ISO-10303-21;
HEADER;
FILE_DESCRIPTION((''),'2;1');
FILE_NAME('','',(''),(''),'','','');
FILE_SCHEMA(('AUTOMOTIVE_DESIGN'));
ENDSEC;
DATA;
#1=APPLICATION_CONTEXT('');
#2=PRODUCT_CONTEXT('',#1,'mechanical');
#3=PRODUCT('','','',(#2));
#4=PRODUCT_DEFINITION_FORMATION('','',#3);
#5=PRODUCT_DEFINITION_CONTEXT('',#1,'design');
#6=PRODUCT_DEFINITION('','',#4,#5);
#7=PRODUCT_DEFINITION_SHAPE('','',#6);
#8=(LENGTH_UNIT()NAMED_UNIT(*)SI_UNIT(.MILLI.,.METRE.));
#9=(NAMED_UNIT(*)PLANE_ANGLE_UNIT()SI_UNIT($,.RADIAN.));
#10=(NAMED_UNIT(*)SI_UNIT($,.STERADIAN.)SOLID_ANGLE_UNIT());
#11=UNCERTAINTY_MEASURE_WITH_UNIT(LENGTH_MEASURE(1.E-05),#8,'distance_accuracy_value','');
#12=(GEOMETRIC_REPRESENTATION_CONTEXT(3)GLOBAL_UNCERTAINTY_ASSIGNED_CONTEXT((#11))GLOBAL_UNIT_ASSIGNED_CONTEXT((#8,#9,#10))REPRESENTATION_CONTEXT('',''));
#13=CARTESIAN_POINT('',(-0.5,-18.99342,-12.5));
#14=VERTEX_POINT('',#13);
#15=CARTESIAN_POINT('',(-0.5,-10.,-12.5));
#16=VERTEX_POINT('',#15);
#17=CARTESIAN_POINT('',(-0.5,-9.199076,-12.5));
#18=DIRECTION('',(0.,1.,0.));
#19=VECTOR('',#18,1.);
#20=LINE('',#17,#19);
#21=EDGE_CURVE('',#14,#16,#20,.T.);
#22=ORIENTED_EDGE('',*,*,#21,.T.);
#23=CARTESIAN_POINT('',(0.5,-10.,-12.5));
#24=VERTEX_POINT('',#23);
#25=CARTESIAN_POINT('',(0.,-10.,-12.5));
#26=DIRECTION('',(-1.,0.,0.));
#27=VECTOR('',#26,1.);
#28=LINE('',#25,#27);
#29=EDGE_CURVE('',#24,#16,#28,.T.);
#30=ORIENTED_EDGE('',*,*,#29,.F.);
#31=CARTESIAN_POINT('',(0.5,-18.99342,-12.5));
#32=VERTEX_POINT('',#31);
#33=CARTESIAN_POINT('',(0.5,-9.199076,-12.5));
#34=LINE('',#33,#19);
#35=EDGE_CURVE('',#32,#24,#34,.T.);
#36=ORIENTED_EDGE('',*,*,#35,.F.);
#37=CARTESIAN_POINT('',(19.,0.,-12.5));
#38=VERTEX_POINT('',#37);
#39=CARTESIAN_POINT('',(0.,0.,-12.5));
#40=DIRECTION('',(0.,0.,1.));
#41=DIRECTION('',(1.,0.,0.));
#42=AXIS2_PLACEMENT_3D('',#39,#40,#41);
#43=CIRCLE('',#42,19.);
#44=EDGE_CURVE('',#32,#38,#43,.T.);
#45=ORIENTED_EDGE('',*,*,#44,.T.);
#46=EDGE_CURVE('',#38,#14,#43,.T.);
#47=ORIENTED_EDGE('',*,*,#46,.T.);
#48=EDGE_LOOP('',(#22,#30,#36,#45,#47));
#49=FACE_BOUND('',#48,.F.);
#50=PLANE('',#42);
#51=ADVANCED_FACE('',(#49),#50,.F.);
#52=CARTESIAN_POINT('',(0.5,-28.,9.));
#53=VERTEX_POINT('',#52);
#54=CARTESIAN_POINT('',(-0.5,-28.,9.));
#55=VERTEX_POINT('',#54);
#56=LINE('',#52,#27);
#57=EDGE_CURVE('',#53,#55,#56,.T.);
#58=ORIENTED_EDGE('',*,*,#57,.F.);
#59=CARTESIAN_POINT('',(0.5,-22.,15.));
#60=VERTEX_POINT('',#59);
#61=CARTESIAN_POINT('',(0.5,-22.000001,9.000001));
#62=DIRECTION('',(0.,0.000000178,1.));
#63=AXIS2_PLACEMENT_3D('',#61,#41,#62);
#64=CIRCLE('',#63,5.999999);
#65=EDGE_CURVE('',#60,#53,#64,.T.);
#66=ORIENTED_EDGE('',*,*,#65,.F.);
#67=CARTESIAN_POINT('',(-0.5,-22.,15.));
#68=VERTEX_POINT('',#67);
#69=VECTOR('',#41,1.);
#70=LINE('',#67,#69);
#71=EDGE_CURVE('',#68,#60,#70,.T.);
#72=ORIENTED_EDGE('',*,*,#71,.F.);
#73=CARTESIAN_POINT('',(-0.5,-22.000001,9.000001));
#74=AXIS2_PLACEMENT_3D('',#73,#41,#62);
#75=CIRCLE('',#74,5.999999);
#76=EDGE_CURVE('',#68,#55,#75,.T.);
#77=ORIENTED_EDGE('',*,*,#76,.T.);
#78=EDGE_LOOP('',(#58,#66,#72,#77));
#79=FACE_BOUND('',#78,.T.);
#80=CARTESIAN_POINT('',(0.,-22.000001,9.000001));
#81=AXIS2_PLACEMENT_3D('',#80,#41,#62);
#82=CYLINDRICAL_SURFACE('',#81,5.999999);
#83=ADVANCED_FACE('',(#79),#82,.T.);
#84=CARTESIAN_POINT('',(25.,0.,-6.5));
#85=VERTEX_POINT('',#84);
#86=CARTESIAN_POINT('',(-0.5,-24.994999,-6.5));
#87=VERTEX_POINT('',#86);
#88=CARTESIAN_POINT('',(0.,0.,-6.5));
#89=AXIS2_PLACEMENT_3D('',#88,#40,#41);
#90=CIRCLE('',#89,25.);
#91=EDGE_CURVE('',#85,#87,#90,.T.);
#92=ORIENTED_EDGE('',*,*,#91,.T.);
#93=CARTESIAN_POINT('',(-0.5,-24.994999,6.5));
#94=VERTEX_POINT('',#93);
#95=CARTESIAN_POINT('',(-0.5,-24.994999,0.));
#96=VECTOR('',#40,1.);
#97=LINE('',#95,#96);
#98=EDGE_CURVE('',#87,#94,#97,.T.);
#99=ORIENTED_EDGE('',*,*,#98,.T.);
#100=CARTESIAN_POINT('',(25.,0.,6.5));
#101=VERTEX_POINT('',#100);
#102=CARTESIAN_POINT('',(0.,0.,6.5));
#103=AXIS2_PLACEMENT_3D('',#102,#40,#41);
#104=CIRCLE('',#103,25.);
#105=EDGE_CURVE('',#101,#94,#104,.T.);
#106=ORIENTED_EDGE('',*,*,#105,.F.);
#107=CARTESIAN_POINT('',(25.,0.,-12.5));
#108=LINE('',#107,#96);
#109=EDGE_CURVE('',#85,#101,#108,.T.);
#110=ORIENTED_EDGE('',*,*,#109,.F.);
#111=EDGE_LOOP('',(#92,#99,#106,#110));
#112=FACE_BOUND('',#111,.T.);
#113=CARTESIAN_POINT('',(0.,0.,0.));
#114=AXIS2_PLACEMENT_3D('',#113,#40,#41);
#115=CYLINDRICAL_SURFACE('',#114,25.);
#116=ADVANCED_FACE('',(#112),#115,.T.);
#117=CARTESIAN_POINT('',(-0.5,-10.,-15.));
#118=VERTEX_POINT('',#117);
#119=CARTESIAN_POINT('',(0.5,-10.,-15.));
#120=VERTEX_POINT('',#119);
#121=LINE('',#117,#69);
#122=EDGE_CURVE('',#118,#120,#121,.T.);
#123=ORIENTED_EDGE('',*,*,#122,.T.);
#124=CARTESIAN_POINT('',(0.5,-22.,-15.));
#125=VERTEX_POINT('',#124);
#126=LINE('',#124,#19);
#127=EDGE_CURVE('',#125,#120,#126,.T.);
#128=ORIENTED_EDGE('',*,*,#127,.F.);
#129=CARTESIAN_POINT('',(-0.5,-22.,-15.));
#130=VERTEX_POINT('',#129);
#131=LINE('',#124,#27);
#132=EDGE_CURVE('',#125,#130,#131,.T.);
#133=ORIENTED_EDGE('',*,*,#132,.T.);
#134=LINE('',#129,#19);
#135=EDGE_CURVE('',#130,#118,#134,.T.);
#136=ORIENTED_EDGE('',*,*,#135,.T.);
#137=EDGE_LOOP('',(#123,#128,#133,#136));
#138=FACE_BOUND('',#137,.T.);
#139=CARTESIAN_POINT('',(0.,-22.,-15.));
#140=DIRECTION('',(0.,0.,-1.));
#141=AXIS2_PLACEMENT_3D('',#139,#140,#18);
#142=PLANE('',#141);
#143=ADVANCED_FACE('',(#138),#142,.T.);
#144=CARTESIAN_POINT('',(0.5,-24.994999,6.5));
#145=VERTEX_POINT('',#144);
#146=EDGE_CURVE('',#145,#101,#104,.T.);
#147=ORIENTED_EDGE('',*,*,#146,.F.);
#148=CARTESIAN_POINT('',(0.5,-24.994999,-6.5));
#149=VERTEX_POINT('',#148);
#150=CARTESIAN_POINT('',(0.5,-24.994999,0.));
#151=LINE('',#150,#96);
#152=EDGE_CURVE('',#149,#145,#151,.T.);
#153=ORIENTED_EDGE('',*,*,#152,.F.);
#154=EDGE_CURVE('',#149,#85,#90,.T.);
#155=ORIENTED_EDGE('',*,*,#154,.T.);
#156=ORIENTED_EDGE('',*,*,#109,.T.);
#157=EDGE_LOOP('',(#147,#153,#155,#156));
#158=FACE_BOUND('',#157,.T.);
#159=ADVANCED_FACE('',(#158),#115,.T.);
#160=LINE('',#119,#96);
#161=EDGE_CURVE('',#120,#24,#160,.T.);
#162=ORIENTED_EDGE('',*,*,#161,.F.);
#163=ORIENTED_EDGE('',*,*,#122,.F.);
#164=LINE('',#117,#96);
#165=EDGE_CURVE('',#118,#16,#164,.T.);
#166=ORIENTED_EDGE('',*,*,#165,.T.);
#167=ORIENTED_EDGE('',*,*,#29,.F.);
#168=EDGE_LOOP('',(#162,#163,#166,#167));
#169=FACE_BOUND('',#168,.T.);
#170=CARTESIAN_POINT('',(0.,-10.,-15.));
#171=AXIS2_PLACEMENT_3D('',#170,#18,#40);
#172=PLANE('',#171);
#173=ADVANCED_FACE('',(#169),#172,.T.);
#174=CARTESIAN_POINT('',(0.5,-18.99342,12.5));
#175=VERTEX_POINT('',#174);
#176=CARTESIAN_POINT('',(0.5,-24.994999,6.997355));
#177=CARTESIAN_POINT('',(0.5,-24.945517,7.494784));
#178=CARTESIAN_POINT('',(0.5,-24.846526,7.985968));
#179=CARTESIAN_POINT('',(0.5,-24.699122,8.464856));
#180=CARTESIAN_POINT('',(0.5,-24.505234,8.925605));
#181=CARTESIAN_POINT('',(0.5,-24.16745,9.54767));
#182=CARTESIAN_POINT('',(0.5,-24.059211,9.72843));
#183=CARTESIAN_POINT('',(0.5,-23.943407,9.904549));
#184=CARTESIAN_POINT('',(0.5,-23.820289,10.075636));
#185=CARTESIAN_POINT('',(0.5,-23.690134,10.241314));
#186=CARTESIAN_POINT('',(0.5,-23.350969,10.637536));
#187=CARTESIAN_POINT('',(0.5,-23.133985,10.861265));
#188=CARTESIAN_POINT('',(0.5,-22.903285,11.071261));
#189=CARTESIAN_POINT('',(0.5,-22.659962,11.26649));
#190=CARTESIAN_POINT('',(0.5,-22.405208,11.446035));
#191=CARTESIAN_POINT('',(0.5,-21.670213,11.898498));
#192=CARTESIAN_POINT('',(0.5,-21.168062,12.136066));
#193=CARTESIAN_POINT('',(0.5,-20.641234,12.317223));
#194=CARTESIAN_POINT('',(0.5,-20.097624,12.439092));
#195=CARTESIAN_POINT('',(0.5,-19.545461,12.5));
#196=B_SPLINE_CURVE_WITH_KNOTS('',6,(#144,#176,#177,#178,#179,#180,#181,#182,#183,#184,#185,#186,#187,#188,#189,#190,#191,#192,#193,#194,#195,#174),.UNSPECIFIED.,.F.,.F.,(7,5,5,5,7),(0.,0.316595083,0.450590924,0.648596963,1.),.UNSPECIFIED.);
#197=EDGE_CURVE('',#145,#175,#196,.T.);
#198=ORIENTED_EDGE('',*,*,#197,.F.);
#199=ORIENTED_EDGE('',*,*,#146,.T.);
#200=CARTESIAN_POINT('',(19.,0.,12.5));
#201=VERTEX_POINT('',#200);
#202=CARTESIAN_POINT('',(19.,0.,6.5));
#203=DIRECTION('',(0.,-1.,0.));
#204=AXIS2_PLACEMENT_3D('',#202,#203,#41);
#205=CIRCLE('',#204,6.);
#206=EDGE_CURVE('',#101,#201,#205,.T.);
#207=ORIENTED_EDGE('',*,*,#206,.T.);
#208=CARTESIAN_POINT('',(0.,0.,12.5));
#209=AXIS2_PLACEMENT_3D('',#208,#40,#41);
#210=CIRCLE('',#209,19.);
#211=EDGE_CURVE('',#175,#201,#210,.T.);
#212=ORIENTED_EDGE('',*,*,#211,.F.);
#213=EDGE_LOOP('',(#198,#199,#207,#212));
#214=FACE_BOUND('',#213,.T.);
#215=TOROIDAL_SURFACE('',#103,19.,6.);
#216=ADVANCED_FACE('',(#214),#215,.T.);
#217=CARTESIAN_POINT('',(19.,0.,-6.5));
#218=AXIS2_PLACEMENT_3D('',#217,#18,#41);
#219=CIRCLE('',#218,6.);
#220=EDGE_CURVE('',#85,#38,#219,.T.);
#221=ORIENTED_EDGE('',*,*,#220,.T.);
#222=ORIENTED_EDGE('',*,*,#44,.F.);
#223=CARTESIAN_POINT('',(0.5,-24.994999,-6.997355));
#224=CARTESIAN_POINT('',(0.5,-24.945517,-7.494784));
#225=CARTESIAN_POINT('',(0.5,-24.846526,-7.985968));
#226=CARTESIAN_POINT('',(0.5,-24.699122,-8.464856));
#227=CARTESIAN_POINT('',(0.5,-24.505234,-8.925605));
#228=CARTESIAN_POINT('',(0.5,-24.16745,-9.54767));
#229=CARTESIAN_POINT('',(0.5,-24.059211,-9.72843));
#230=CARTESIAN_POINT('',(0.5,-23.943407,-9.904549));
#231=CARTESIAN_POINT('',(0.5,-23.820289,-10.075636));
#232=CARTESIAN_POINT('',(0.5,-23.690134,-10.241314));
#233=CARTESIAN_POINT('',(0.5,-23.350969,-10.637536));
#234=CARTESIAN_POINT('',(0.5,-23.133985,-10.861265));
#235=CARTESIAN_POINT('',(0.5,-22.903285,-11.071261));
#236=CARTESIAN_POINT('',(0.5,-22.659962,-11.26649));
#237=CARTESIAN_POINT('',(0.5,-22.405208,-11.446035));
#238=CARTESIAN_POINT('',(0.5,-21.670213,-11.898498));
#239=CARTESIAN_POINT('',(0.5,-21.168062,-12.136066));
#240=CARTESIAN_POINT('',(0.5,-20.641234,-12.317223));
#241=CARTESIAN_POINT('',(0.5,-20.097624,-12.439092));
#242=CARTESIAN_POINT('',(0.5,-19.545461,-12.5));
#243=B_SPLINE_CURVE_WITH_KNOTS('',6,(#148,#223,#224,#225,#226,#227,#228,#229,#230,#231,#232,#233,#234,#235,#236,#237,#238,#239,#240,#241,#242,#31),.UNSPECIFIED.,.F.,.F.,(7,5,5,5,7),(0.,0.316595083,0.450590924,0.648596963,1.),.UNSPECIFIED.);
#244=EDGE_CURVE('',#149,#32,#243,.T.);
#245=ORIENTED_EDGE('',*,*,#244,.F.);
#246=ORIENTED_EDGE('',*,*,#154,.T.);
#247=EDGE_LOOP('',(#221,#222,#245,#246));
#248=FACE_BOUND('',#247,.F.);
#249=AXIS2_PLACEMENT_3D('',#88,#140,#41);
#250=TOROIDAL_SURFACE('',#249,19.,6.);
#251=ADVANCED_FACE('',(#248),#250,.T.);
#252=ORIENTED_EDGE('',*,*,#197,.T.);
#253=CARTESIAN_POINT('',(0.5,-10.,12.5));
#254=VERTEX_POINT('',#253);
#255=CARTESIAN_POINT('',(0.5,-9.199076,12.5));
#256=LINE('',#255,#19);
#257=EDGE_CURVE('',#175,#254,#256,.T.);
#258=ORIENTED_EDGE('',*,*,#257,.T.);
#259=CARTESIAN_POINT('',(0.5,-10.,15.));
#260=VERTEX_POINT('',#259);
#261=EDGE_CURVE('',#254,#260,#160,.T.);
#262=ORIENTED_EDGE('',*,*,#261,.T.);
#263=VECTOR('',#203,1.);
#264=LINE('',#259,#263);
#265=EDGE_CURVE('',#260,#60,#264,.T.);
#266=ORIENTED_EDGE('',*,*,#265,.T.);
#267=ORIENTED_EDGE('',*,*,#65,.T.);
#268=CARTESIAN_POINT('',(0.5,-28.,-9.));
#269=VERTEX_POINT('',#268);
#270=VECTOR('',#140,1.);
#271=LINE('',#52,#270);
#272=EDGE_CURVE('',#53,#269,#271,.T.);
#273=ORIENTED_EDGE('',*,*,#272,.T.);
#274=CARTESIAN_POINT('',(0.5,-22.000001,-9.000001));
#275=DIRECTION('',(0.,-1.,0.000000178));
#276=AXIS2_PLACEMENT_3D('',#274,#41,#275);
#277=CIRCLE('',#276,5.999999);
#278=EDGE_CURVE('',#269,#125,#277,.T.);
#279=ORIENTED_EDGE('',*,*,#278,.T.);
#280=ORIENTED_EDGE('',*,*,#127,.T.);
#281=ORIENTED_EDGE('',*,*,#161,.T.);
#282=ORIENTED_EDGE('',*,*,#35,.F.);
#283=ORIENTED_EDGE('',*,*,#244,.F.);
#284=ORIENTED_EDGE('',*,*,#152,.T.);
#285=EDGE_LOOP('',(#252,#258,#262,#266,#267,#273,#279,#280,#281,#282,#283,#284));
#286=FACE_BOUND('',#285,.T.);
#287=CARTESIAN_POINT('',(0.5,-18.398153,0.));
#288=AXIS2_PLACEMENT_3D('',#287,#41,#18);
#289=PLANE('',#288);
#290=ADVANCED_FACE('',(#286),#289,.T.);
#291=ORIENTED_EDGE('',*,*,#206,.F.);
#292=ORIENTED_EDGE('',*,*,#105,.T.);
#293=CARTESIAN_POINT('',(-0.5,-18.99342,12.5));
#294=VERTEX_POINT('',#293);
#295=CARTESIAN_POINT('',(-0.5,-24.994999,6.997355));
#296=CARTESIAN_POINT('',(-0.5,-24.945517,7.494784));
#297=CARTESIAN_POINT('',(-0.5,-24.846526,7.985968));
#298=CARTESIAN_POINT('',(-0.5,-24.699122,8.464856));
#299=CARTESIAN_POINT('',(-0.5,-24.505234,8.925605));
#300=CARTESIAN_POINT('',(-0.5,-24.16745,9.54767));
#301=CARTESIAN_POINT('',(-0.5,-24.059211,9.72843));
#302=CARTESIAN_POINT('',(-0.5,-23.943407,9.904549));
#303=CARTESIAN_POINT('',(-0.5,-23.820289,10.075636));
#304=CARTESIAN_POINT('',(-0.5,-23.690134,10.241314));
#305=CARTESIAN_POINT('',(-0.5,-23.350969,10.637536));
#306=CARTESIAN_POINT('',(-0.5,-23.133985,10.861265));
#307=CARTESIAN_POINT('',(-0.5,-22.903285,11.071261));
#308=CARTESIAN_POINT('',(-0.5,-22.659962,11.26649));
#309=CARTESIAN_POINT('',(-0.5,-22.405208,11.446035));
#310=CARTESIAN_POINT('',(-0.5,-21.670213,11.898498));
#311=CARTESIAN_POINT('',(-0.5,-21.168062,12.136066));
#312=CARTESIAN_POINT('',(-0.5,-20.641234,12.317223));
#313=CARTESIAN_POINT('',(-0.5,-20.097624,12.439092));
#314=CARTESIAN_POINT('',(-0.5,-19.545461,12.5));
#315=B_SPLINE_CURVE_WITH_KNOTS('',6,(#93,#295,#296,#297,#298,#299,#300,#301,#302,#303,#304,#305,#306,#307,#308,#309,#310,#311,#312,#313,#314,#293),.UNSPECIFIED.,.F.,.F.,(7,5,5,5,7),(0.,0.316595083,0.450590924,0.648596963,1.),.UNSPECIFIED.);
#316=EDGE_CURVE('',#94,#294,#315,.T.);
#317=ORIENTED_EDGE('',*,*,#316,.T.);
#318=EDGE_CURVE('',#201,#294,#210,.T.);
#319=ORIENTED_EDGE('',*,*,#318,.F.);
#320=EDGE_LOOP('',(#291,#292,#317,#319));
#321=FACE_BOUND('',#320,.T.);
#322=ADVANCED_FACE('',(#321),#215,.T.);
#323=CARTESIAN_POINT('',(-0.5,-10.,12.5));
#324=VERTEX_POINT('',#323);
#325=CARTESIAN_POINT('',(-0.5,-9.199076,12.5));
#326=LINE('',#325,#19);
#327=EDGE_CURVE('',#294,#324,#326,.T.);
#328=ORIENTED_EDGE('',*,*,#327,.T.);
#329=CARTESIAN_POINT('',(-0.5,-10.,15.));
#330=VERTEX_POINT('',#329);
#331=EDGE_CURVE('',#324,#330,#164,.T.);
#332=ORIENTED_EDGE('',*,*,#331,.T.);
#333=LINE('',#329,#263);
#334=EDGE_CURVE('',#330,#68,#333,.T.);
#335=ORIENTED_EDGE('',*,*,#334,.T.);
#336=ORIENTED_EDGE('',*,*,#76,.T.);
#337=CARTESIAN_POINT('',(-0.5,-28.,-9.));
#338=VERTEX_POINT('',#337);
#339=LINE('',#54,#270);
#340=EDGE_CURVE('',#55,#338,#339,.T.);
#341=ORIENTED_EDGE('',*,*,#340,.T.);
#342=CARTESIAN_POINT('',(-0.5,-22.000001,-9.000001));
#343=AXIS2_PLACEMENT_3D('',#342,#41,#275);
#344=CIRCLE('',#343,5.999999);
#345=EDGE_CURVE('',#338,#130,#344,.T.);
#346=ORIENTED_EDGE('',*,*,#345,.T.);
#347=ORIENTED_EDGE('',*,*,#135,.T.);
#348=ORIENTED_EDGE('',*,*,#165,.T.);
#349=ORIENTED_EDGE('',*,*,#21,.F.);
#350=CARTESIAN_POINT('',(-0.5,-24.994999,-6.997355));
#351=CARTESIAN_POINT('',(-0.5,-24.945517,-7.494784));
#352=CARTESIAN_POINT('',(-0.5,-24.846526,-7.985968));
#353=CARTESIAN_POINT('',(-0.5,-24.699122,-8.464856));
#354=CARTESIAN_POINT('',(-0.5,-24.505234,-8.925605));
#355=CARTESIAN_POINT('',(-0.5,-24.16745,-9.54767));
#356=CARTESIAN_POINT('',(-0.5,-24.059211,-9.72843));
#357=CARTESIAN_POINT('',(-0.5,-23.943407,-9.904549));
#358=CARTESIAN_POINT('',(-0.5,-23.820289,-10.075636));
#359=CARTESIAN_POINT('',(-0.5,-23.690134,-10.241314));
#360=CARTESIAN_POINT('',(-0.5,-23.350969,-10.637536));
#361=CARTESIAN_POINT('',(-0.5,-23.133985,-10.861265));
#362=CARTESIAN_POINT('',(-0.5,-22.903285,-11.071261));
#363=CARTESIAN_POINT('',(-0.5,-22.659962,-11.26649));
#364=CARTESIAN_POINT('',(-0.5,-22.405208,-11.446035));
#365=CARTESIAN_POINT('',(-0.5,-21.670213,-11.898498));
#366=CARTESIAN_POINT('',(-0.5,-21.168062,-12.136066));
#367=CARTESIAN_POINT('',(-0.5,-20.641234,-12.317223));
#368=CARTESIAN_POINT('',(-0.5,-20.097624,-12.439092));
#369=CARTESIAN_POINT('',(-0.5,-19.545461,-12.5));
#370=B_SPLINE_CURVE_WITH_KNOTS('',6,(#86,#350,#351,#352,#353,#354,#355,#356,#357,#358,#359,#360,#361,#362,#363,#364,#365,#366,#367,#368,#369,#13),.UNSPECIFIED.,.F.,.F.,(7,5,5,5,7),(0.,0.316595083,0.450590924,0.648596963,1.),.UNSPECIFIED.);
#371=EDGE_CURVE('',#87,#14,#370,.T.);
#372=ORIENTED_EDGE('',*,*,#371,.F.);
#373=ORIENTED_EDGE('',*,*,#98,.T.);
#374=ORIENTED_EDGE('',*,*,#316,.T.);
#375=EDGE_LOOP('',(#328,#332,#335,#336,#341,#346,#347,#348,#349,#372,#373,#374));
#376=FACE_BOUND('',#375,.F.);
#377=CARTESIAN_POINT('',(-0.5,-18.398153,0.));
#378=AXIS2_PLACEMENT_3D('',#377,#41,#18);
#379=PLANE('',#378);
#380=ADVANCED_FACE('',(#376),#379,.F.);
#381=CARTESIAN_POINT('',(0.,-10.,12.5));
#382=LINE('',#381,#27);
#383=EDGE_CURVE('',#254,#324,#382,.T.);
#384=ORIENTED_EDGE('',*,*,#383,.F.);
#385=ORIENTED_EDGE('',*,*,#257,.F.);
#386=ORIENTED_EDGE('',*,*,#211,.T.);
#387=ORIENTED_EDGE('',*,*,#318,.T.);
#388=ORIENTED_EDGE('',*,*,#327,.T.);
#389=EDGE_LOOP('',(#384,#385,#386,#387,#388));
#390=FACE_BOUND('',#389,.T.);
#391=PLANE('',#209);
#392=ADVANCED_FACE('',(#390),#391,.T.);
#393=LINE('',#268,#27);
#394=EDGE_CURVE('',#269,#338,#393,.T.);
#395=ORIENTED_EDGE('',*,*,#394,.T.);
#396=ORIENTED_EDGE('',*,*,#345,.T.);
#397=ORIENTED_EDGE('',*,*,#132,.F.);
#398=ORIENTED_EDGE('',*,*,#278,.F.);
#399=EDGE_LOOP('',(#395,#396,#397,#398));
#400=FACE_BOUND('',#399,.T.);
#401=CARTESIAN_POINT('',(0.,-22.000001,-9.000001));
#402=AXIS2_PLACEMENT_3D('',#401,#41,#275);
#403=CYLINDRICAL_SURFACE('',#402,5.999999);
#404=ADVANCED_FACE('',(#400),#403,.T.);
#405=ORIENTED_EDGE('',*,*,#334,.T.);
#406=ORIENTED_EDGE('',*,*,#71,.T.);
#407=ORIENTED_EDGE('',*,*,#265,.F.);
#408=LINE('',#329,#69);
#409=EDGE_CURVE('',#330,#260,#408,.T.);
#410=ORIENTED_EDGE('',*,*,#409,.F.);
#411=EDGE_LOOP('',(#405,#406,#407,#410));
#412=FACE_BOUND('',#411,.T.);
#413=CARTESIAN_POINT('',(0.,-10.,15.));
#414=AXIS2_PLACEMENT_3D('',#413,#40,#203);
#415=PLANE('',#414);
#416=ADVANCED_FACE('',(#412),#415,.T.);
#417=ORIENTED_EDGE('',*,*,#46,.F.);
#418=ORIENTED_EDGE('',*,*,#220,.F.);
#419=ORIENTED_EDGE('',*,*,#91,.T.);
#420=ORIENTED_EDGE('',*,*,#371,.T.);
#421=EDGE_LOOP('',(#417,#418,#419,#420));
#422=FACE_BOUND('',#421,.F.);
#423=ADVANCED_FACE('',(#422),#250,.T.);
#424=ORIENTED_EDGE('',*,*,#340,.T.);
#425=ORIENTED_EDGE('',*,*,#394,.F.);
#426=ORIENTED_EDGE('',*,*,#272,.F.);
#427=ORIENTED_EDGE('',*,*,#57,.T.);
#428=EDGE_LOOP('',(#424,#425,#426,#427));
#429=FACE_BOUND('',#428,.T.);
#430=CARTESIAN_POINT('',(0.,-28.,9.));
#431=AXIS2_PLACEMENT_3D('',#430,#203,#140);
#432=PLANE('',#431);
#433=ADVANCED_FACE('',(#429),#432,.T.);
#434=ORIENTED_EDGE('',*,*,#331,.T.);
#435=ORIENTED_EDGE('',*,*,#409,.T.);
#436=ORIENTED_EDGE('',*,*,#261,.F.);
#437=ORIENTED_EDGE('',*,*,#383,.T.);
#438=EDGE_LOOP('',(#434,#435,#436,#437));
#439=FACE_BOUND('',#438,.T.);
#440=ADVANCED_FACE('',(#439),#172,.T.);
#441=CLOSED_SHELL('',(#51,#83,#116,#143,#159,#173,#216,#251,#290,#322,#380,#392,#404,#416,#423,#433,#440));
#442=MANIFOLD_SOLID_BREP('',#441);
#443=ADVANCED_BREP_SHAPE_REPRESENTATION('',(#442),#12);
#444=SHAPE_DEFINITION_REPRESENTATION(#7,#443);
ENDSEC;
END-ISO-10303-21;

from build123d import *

# Parameters (mm, degrees)
F0_R     = 25
F1_DEPTH = 12.5
F2_R     = 6
F4_DEPTH = 0.5


with BuildPart() as f1:
    # F0 (on Top) → F1 (new body, symmetric)
    with BuildSketch(Plane.XY):
        Circle(F0_R)
    extrude(amount=F1_DEPTH, both=True)

    # F2
    f2_edges = [f1.edges().sort_by_distance(p)[0] for p in [
        (-25, 0, 12.5),
        (-25, 0, -12.5),
    ]]
    fillet(f2_edges, radius=F2_R)

    # F3 (on Right) → F4 (join, symmetric)
    with BuildSketch(Plane.YZ):
        with BuildLine():
            Line((-22, -15), (-10, -15))
            Line((-10, -15), (-10, 15))
            Line((-10, 15), (-22, 15))
            ThreePointArc((-22, 15), (-26.242641, 13.242641), (-28, 9))
            Line((-28, 9), (-28, -9))
            ThreePointArc((-28, -9), (-26.242641, -13.242641), (-22, -15))
        make_face()
    extrude(amount=F4_DEPTH, both=True)


solid = f1.part
